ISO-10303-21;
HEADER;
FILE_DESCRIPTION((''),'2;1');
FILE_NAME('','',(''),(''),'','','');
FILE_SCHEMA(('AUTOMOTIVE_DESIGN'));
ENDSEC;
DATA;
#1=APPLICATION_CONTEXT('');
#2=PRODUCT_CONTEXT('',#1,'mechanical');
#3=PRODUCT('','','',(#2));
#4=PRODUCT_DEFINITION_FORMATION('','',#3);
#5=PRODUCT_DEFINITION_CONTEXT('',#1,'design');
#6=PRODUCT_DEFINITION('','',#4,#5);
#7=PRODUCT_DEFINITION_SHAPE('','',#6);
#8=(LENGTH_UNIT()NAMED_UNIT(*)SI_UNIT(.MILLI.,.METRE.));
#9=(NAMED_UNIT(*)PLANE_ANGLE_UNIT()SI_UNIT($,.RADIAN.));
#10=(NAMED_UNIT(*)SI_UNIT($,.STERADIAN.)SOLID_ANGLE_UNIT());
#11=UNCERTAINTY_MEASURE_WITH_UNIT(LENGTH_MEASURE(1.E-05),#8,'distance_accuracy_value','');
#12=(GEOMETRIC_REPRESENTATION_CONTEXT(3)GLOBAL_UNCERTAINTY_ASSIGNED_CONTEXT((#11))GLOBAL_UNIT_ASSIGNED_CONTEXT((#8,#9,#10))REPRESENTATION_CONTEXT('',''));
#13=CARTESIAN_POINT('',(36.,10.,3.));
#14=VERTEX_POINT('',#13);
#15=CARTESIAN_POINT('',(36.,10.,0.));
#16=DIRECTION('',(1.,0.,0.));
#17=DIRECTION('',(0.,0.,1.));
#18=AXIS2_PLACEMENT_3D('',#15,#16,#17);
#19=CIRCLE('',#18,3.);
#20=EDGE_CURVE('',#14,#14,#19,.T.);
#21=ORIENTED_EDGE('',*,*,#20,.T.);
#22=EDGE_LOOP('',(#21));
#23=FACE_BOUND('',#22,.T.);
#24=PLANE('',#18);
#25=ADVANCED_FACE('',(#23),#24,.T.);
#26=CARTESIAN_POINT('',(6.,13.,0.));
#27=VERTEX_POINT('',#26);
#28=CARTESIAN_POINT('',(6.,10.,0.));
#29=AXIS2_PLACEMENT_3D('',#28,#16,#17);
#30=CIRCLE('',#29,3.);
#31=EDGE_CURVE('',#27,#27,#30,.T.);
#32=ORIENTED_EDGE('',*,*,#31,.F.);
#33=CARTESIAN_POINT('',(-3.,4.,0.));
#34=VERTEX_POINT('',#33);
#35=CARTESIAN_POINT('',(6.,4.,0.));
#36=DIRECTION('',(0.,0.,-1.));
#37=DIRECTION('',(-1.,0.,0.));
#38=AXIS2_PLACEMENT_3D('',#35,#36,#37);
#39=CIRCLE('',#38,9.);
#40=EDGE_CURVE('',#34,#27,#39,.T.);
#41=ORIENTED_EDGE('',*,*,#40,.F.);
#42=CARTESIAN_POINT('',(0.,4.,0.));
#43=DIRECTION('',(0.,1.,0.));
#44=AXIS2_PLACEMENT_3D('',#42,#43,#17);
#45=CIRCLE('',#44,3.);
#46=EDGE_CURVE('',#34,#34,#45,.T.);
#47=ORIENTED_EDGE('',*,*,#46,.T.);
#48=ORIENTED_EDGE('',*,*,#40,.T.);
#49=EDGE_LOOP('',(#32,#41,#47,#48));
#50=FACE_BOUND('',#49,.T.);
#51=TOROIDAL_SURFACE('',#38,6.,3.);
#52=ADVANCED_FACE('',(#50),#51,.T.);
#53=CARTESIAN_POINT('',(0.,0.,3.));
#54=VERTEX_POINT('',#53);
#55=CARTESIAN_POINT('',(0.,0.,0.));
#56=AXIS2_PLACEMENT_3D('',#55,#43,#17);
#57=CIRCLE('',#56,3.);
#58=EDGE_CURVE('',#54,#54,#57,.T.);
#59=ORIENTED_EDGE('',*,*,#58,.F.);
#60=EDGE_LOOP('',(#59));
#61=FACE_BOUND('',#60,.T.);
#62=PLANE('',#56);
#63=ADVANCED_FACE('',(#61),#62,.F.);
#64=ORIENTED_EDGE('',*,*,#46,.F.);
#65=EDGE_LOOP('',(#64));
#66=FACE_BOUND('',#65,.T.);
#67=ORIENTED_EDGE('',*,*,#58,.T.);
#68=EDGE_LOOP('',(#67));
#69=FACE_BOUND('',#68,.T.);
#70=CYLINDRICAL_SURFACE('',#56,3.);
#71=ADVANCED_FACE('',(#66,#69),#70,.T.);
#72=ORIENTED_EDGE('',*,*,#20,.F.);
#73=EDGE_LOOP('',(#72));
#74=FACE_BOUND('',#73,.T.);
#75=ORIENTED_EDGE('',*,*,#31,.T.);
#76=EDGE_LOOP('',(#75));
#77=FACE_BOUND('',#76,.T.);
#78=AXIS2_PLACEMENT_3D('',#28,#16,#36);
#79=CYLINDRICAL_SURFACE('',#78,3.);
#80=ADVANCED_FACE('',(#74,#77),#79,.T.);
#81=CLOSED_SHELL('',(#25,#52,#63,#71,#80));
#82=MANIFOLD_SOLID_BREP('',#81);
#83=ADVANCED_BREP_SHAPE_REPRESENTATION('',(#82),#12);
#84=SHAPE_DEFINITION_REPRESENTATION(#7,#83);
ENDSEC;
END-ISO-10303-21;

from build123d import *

# Parameters (mm, degrees)
CROQUIS3_R = 3


with BuildPart() as part:
    # Barrer1: sweep along a path in Croquis2
    with BuildLine(Plane.XY) as barrer1_path:
        Line((0, 0), (0, 4))
        ThreePointArc((0, 4), (1.757359313, 8.242640687), (6, 10))
        Line((6, 10), (36, 10))
    # Croquis3 → Barrer1 (sweep)
    with BuildSketch(Plane(origin=(0, 0, 0), x_dir=(1, 0, 0), z_dir=(0, 1, 0))):
        Circle(CROQUIS3_R)
    sweep(path=barrer1_path.line)


solid = part.part
